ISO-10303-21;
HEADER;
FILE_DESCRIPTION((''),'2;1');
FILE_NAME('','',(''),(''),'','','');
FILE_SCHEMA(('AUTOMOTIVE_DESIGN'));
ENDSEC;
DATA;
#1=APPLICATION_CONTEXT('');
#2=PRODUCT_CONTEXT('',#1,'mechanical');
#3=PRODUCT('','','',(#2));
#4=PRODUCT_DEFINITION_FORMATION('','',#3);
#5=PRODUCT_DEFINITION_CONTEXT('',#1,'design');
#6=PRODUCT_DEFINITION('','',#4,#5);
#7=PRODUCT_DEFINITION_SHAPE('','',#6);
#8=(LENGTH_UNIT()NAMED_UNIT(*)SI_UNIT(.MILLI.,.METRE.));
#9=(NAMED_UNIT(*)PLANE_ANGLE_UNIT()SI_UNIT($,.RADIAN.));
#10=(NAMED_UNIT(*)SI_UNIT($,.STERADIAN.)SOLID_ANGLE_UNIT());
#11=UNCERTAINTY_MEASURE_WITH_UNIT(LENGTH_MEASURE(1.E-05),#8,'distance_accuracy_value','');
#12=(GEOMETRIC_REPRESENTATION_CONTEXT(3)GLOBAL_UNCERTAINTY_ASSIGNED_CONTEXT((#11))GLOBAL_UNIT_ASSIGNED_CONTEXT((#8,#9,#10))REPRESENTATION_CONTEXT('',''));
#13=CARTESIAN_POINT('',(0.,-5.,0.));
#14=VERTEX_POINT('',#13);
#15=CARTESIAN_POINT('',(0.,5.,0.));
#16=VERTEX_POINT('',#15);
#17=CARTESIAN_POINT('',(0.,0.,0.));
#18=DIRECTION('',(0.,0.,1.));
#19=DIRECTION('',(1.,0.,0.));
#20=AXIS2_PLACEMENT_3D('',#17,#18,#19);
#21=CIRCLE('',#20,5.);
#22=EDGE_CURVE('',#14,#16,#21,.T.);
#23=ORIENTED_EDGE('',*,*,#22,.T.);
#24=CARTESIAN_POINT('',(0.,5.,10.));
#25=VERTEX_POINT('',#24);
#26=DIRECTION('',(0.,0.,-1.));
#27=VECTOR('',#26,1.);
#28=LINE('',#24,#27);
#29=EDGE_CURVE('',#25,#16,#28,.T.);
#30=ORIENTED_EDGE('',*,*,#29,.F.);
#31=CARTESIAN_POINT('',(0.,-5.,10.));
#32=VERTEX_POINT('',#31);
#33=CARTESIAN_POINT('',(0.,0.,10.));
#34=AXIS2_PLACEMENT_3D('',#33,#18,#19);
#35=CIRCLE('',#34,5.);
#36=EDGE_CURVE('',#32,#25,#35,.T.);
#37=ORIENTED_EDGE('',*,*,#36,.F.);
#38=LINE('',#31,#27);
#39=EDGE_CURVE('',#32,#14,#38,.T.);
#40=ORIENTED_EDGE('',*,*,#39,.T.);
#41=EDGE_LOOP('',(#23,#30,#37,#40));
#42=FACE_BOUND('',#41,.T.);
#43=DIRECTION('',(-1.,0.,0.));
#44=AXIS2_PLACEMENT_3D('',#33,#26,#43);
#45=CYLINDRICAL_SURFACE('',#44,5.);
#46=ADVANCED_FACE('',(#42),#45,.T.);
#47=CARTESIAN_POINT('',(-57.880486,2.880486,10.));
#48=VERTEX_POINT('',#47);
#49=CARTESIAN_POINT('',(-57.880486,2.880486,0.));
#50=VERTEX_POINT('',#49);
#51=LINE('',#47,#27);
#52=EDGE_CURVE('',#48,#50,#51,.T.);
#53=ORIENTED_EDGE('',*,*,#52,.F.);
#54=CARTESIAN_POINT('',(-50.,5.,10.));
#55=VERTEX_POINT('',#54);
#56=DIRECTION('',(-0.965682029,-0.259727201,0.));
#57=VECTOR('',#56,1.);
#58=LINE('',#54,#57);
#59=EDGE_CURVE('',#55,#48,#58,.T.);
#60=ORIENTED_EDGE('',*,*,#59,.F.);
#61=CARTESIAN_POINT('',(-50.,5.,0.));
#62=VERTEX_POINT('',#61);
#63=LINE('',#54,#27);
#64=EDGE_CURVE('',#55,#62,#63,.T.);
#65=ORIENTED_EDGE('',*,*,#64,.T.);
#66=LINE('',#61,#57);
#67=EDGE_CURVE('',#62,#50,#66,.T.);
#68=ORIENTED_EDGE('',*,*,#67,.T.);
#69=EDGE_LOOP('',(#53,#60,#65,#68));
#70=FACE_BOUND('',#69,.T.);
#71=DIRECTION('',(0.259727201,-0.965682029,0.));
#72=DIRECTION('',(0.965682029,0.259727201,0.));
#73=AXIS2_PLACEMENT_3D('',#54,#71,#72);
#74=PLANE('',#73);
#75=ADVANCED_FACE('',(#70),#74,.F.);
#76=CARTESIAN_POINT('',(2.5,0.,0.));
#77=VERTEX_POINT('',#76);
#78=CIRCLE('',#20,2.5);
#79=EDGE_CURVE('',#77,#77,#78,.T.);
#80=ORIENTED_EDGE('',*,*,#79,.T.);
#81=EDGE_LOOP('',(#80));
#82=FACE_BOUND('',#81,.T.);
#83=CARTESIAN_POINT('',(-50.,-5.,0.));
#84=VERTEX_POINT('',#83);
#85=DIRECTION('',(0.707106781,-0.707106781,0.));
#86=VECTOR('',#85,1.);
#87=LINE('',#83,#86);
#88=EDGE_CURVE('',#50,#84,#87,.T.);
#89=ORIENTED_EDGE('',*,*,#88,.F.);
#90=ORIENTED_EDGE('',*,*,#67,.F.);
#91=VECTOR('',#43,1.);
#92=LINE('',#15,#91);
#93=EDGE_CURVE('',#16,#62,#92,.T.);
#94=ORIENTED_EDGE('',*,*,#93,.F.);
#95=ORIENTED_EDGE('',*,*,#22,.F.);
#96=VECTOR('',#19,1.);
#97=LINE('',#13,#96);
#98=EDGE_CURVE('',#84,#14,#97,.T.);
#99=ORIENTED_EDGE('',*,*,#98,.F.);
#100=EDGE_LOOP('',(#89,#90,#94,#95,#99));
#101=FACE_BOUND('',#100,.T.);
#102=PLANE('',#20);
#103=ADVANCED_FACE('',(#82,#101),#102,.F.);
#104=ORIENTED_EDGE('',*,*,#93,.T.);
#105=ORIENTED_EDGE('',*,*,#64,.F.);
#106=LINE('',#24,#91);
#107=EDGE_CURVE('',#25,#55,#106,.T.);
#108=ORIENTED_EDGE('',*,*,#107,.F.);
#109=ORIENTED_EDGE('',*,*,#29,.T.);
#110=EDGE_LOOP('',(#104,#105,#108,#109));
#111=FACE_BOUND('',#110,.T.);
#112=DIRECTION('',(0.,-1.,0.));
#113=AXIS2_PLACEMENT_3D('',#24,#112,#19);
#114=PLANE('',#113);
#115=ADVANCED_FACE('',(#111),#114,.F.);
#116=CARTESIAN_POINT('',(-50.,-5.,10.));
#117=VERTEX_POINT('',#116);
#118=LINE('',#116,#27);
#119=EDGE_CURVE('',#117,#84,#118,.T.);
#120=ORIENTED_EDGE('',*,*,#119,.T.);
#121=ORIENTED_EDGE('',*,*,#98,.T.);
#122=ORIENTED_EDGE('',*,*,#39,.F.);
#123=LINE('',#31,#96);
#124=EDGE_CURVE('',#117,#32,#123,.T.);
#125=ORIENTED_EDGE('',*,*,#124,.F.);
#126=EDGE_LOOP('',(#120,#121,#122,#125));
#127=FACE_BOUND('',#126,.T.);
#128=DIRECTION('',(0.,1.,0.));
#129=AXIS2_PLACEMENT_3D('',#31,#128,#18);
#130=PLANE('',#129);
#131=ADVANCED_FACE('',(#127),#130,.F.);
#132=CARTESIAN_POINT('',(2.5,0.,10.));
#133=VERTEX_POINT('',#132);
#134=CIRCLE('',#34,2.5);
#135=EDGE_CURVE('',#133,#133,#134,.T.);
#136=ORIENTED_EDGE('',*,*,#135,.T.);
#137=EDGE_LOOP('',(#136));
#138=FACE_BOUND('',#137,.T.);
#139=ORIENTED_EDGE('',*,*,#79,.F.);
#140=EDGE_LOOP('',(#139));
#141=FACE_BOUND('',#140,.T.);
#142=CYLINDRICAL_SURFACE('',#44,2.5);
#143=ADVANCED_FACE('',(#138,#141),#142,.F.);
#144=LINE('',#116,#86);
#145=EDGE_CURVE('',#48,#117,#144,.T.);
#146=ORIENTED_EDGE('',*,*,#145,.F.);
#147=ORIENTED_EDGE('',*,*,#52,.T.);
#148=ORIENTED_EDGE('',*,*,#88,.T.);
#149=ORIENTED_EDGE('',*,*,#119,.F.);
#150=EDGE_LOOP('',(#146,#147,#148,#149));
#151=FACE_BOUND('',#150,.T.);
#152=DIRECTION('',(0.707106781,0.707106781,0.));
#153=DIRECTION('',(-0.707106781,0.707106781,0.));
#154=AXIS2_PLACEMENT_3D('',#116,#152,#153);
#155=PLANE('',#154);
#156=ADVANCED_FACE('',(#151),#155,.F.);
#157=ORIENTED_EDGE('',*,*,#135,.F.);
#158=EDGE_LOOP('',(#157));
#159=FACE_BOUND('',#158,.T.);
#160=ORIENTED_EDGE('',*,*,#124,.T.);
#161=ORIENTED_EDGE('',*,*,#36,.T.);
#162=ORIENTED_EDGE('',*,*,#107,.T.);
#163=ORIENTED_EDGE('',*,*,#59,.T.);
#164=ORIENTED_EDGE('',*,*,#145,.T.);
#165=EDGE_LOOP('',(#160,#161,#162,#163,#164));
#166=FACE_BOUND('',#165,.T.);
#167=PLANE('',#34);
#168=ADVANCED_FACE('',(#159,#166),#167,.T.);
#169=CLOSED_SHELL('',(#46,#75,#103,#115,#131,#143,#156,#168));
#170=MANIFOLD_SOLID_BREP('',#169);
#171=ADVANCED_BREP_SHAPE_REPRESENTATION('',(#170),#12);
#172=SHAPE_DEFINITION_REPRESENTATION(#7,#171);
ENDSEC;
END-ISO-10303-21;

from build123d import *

# Parameters (mm, degrees)
SKETCH1_R           = 2.5
BOSS_EXTRUDE1_DEPTH = 10


with BuildPart() as part:
    # Sketch1 → Boss-Extrude1 (new body)
    with BuildSketch(Plane.XY):
        with BuildLine():
            Line((0, 5), (-50, 5))
            Line((-50, 5), (-57.880486008, 2.880486008))
            Line((-57.880486008, 2.880486008), (-50, -5))
            Line((-50, -5), (0, -5))
            ThreePointArc((0, -5), (5, 0), (0, 5))
        make_face()
        Circle(SKETCH1_R, mode=Mode.SUBTRACT)
    extrude(amount=BOSS_EXTRUDE1_DEPTH)


solid = part.part
